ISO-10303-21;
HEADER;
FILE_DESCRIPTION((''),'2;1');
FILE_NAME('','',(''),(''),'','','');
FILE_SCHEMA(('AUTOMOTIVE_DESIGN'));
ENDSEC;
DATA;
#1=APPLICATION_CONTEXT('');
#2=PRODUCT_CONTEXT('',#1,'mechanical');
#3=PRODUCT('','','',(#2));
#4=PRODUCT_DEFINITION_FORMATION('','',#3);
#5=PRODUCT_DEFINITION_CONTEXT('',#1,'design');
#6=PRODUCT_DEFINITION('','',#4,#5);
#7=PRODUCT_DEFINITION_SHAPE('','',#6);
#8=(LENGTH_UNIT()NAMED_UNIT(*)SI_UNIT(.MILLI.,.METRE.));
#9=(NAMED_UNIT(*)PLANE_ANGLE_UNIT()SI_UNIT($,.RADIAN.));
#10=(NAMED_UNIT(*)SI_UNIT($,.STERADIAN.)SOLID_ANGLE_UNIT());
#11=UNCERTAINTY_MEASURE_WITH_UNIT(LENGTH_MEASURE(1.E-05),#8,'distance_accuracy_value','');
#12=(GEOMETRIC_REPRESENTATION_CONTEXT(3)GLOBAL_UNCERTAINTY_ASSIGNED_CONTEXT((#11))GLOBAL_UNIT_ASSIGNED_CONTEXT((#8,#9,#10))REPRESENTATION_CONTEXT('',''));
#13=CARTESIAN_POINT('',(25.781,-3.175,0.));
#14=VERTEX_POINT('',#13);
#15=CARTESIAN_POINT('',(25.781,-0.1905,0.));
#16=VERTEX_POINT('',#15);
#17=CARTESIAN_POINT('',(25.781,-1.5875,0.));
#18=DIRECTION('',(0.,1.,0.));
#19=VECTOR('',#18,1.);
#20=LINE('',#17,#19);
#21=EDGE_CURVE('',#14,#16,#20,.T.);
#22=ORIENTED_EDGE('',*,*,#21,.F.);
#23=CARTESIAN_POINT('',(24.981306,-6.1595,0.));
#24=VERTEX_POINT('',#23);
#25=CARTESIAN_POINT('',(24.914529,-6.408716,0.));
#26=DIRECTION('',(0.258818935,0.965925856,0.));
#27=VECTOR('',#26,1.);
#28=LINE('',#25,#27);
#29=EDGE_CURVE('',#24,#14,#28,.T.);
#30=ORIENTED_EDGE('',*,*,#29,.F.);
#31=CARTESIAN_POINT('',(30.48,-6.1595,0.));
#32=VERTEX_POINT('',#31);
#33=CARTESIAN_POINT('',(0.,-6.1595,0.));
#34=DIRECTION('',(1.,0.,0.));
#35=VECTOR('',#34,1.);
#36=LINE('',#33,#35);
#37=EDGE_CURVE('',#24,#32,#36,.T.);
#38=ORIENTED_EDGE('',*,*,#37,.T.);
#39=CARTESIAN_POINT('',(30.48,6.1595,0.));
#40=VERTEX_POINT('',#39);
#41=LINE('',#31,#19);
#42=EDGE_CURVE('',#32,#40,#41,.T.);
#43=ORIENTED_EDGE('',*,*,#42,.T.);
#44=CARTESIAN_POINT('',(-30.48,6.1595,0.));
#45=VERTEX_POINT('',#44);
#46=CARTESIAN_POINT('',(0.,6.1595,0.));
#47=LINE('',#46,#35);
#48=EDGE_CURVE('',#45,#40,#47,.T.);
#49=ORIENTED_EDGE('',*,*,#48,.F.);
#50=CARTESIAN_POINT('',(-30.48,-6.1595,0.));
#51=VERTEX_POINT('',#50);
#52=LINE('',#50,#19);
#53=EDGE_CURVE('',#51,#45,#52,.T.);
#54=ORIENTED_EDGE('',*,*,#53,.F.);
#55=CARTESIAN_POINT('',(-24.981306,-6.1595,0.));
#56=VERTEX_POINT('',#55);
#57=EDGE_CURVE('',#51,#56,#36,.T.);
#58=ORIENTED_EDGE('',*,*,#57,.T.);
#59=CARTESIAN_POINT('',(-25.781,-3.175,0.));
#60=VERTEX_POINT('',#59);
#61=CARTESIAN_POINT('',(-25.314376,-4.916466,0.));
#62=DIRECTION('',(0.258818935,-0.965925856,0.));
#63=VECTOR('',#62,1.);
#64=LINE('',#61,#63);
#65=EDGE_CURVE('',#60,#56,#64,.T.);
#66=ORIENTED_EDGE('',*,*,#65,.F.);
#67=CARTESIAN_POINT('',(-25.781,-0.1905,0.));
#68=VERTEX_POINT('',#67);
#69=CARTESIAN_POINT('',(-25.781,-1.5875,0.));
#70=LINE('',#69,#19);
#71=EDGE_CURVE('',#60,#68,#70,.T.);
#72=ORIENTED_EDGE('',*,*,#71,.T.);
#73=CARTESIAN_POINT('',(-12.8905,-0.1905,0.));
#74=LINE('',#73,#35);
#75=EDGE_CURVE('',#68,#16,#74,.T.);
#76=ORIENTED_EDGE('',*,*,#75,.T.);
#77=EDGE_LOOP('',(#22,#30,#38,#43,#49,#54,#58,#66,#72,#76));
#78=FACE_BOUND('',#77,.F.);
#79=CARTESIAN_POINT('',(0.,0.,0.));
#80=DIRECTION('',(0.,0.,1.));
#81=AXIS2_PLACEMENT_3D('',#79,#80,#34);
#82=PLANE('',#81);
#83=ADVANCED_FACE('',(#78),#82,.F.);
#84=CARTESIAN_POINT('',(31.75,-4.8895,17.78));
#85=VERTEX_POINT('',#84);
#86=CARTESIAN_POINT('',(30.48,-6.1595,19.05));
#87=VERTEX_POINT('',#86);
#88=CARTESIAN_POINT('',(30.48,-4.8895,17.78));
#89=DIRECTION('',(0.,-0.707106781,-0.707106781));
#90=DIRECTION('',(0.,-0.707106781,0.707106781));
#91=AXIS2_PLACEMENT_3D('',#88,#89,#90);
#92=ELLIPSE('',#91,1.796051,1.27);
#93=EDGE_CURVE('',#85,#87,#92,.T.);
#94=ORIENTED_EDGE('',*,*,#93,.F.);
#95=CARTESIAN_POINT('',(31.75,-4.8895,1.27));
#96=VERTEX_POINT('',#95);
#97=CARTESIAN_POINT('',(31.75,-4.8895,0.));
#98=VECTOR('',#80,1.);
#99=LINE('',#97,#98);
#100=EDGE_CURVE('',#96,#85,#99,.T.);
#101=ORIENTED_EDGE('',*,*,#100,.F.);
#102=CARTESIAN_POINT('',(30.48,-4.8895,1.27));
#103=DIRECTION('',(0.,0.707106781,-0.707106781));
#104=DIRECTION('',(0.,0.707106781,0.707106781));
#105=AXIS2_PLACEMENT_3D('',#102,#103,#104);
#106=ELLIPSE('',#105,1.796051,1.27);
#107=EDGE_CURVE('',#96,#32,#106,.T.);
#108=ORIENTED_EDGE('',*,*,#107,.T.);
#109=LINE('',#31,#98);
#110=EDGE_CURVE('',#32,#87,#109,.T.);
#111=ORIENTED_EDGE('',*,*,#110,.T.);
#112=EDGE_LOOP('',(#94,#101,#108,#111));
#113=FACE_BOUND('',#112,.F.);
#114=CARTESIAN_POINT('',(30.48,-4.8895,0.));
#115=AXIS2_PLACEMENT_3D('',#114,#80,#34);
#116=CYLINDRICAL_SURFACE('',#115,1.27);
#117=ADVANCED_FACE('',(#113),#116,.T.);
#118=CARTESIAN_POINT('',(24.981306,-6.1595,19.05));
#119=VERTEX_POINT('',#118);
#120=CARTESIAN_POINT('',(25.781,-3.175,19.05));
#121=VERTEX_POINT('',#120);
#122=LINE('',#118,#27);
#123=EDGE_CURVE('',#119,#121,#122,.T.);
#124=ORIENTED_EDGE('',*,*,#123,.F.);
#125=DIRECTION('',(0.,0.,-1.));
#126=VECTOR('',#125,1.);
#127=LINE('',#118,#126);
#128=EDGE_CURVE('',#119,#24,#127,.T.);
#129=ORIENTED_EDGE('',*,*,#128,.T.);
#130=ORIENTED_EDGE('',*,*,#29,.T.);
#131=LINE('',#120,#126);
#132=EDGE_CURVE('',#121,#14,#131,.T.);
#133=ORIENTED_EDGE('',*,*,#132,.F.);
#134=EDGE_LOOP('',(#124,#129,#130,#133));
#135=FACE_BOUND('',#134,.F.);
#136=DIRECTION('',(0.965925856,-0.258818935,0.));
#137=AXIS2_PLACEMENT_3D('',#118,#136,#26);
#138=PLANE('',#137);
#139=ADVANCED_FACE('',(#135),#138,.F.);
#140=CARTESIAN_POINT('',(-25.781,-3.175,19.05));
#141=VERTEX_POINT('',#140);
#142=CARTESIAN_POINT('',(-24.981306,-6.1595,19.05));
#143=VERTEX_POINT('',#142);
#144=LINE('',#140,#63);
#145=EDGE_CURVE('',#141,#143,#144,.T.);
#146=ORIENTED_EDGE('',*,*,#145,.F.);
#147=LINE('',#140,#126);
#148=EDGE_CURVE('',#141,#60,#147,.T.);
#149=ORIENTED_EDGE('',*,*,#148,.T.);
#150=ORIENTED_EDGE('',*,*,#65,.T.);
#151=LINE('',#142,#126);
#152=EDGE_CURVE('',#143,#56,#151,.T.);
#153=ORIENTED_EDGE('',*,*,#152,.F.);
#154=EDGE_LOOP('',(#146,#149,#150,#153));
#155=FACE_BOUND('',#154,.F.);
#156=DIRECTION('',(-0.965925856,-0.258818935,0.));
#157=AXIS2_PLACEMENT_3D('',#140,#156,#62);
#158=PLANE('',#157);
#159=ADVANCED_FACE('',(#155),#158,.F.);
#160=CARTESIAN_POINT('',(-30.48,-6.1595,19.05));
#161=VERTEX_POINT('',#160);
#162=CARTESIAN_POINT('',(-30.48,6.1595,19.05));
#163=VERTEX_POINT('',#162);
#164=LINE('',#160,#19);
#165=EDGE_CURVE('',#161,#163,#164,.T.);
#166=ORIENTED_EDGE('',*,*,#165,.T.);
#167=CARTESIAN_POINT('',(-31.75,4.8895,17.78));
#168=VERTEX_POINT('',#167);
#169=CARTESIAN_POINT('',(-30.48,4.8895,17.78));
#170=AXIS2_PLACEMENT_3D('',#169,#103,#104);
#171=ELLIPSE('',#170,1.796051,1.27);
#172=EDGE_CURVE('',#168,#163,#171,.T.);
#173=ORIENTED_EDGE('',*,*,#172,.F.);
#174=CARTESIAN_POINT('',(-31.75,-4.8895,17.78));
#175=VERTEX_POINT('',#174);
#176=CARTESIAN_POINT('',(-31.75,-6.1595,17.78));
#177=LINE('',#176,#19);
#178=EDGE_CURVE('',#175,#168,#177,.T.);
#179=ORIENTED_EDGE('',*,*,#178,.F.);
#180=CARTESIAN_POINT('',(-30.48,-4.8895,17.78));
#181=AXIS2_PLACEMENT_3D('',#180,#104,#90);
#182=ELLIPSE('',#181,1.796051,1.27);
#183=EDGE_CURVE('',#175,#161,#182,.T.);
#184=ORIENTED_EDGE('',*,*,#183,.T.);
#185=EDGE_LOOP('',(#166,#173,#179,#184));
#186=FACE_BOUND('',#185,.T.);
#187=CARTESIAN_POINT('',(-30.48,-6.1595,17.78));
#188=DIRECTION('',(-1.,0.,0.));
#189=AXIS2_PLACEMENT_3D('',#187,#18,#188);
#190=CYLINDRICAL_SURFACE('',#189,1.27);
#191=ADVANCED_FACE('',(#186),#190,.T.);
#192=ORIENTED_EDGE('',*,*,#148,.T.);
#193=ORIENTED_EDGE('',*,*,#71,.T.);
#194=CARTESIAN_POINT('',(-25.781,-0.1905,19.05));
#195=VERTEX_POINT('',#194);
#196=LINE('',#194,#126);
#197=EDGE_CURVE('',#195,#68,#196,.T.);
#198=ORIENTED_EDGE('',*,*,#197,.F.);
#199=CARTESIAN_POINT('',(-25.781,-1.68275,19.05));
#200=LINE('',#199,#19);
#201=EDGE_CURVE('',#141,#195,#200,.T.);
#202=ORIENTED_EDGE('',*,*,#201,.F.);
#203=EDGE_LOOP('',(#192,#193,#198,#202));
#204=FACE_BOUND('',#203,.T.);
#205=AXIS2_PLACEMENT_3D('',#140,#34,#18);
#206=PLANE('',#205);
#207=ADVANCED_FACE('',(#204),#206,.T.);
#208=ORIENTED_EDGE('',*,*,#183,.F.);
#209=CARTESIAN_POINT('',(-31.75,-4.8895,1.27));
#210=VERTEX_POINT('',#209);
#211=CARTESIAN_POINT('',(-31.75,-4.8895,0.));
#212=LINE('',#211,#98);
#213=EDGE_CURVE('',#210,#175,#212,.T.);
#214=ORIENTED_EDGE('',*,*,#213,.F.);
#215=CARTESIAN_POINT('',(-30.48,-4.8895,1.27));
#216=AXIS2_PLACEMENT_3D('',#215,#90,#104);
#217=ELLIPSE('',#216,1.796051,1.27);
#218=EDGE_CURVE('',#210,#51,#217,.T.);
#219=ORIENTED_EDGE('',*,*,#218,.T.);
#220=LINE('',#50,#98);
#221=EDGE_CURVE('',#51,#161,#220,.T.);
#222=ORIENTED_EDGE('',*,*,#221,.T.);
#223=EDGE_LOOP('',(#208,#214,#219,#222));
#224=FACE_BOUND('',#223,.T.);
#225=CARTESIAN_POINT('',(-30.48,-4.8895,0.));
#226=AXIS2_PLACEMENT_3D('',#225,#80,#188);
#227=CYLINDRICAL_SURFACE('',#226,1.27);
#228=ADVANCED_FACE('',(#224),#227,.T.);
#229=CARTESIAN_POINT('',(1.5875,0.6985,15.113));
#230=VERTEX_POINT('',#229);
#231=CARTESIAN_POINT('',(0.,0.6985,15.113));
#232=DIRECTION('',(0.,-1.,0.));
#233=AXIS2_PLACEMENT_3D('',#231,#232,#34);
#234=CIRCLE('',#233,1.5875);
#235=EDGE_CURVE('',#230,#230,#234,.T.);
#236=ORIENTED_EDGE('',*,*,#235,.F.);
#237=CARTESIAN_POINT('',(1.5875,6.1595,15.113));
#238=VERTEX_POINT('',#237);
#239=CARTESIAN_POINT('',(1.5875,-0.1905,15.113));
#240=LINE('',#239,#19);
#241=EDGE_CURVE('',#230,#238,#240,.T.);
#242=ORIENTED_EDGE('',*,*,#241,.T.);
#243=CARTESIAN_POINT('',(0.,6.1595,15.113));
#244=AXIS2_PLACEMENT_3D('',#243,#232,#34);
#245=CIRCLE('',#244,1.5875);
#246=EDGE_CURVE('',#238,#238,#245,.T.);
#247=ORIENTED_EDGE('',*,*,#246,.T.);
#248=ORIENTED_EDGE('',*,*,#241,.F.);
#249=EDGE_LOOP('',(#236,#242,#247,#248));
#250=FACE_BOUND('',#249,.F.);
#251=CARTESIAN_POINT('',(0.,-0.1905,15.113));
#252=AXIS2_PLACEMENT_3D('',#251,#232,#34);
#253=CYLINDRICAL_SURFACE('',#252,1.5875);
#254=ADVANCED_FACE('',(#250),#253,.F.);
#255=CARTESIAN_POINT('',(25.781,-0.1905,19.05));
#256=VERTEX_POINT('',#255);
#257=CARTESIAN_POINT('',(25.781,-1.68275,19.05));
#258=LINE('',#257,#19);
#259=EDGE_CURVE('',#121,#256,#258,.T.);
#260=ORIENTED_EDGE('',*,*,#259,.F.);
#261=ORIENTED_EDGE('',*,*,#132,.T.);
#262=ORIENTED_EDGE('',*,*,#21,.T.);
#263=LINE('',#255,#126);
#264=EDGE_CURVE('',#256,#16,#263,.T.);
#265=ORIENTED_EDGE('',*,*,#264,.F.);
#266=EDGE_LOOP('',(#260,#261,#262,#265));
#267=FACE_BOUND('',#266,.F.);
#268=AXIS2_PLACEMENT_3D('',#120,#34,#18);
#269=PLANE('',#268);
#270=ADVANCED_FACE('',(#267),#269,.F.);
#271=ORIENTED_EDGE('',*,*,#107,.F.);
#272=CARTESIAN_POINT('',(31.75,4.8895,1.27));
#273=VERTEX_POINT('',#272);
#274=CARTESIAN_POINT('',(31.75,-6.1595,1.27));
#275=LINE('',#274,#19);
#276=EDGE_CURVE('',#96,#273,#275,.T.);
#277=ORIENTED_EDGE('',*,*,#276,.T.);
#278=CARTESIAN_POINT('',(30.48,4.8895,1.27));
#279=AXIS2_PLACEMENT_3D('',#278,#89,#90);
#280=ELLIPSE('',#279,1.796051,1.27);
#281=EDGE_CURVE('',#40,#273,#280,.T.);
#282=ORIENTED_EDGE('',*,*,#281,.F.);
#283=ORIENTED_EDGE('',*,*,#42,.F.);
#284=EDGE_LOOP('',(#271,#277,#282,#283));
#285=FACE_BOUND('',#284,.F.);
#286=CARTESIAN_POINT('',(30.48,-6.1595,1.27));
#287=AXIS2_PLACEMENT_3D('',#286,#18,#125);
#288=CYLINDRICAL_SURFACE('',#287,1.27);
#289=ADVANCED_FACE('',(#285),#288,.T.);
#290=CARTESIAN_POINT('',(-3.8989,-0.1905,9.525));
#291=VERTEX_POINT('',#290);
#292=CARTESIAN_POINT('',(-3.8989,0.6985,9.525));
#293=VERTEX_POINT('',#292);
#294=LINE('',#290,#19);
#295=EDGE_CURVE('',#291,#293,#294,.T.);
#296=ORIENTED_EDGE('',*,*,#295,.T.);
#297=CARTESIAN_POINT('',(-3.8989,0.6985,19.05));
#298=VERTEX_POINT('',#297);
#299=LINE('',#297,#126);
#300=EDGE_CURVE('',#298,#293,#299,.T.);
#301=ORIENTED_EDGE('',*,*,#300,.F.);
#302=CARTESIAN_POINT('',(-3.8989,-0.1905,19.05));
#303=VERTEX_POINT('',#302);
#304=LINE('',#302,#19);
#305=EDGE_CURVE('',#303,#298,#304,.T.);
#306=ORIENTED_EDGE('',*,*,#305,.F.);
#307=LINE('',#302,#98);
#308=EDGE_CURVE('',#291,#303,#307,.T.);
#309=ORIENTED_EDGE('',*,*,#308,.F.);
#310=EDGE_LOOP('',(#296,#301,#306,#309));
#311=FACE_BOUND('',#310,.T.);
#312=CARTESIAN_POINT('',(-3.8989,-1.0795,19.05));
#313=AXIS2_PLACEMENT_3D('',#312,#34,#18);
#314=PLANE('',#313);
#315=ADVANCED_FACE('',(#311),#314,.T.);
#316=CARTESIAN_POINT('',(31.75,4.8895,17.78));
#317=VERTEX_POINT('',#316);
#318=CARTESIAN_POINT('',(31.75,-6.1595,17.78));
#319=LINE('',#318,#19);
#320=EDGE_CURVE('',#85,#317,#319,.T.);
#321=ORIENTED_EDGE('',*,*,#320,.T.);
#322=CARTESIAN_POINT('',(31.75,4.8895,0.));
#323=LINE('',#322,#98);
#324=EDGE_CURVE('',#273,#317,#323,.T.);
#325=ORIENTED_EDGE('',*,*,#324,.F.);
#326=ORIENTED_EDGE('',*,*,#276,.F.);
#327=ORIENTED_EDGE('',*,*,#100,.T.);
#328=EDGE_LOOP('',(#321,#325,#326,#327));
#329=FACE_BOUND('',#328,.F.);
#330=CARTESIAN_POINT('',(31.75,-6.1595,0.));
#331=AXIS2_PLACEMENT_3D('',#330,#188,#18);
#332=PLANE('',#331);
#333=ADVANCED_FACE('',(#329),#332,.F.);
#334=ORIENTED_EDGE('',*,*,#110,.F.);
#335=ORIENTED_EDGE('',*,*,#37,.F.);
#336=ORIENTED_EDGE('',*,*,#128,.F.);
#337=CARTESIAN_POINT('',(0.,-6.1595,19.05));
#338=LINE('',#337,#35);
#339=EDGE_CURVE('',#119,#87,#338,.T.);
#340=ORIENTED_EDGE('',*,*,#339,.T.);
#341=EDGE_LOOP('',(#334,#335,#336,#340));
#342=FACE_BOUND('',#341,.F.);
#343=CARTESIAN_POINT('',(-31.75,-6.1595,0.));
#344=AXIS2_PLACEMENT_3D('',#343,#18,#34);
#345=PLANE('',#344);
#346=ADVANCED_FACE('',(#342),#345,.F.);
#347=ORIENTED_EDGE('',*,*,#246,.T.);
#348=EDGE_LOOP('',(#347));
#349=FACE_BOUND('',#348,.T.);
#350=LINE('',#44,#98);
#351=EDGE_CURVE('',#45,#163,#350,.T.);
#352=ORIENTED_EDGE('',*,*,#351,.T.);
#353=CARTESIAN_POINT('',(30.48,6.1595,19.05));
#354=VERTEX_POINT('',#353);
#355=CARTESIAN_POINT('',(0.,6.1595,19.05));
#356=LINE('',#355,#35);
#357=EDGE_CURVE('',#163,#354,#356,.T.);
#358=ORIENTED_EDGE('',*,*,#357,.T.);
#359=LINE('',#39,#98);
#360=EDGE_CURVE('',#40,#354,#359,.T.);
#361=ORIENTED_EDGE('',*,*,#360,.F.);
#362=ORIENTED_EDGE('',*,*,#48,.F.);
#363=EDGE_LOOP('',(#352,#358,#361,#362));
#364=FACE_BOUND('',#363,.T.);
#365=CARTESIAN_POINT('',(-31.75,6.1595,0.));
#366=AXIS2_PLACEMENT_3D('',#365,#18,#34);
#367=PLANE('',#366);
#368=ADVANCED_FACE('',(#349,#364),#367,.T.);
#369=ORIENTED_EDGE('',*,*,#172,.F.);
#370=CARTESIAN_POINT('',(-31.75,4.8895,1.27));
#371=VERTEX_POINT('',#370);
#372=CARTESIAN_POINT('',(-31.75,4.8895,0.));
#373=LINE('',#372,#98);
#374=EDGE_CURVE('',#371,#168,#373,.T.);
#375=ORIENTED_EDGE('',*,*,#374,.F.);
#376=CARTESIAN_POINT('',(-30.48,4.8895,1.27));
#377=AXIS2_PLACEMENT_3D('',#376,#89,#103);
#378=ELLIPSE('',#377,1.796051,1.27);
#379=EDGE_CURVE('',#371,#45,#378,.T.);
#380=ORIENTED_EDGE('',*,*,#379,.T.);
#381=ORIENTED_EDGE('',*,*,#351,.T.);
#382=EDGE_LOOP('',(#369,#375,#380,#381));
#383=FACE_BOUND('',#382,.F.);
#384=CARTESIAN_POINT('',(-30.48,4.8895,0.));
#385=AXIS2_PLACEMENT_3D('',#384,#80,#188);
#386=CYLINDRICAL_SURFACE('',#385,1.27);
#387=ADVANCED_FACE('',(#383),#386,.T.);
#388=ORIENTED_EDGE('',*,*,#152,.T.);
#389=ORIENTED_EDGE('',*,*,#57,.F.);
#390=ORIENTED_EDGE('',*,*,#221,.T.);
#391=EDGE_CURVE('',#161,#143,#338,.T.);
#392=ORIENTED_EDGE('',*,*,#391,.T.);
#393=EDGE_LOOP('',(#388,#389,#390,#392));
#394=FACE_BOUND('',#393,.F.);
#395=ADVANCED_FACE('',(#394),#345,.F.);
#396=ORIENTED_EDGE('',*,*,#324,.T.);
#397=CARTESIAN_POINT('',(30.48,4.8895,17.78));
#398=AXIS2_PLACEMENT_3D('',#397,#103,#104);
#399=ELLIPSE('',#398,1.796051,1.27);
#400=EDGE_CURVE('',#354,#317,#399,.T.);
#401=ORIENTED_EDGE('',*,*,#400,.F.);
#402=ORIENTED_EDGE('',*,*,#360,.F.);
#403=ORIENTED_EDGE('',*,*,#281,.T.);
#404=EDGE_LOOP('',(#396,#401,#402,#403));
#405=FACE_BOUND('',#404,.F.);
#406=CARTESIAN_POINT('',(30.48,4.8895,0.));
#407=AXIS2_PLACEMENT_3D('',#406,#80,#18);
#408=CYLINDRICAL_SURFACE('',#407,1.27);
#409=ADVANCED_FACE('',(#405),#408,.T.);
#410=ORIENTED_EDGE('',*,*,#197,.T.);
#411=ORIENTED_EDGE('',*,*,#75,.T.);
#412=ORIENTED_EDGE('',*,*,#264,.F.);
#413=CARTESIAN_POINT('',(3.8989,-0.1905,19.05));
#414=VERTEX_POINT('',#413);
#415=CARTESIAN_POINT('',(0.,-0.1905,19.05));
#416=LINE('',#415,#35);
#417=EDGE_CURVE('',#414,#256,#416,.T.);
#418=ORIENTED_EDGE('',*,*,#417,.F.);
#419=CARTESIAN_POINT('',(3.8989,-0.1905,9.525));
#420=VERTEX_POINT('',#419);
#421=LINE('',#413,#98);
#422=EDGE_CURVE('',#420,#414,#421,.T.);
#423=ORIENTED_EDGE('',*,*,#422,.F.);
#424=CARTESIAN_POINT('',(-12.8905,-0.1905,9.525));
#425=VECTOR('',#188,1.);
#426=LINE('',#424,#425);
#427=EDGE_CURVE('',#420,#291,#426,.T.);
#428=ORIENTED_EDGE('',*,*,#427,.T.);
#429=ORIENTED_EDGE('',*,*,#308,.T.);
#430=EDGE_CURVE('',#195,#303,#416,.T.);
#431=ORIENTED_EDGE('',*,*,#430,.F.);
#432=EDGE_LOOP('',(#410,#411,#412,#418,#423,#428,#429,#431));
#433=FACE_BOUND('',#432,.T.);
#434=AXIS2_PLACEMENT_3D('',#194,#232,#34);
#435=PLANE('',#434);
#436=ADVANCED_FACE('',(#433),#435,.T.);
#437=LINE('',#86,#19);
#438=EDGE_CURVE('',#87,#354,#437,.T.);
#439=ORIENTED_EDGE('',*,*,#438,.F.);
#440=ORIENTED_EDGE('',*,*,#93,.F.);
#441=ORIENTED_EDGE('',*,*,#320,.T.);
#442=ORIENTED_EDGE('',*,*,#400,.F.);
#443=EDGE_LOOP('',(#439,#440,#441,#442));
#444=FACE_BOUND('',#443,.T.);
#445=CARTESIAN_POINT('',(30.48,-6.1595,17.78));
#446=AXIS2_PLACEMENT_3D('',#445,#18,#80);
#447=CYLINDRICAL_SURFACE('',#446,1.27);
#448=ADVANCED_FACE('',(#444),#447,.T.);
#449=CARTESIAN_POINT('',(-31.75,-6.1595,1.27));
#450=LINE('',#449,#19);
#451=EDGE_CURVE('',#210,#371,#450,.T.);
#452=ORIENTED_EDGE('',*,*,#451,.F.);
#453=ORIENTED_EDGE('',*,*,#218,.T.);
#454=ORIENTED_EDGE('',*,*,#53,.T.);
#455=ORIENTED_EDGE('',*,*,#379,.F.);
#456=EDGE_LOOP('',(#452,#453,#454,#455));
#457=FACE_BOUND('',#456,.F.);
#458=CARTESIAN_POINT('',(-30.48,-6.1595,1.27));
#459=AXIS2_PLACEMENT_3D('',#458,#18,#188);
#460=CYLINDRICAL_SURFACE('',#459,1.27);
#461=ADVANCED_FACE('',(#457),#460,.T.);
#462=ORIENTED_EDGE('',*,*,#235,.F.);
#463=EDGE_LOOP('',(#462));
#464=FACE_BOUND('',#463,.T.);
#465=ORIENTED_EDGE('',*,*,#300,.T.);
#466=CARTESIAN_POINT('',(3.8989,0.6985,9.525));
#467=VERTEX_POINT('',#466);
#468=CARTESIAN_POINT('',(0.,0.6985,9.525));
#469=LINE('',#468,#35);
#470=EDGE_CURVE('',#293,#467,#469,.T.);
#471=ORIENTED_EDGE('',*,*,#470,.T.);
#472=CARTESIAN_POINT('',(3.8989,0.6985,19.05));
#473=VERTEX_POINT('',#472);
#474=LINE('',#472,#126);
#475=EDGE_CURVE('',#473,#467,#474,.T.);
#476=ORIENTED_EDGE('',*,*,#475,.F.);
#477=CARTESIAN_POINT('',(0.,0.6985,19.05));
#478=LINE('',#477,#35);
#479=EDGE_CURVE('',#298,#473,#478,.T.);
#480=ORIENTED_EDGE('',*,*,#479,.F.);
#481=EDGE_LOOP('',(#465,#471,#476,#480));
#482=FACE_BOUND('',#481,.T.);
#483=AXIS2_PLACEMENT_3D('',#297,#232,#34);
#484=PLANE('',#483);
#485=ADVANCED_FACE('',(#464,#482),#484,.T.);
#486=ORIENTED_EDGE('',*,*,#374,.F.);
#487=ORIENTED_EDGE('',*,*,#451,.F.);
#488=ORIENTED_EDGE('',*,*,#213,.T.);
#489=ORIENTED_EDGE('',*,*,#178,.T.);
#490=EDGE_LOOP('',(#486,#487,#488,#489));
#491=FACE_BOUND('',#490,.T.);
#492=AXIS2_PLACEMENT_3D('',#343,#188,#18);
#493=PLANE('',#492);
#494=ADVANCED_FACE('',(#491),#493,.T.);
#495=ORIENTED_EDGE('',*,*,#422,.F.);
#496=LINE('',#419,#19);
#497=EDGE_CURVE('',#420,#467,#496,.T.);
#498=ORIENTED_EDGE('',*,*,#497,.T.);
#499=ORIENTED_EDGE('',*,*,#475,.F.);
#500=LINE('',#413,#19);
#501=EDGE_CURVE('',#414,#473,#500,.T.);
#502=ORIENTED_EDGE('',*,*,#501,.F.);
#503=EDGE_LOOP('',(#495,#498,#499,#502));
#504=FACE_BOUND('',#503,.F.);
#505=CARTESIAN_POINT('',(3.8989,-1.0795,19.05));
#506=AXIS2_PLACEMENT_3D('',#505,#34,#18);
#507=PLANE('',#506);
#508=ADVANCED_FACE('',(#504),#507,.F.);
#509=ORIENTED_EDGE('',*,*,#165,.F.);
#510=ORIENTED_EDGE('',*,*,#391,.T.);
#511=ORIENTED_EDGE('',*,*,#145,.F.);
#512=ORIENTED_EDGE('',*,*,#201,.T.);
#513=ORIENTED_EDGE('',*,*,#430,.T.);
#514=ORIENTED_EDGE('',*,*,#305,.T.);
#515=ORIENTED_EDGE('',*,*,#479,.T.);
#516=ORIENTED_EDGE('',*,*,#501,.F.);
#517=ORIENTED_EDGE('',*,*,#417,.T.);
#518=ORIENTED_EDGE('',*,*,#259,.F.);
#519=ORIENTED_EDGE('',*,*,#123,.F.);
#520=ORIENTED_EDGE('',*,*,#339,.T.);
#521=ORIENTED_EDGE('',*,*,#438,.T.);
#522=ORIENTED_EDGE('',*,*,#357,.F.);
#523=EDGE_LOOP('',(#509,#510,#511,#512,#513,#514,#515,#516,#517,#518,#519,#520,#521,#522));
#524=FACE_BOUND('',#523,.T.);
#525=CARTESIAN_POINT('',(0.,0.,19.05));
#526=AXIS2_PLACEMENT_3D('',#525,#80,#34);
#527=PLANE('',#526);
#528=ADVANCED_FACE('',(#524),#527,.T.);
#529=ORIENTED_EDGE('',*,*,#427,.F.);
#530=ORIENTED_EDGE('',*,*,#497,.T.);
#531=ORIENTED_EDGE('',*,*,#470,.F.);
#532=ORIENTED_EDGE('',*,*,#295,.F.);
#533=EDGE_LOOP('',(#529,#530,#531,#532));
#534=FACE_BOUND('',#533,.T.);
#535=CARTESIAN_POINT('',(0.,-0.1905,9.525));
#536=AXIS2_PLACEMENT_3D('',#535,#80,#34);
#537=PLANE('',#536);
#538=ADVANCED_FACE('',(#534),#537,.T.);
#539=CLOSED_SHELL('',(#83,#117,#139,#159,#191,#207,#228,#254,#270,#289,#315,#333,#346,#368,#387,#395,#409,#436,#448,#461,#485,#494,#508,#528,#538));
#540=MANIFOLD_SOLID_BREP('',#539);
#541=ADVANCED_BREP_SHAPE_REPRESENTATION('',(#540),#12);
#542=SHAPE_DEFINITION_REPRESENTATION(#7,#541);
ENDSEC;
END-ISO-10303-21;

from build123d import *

# Parameters (mm, degrees)
F0_W     = 63.5
F0_H     = 12.319
F1_DEPTH = 19.05
F2_W     = 51.562
F2_H     = 2.9845
F3_DEPTH = 25.4
F4_W     = 7.7978
F4_H     = 1.778
F5_DEPTH = 9.525
F6_R     = 1.5875
F7_DEPTH = 25.4
F8_R     = 1.27


with BuildPart() as f1:
    # F0 (on Top) → F1 (new body)
    with BuildSketch(Plane.XY):
        Rectangle(F0_W, F0_H)
    extrude(amount=F1_DEPTH)

    # F2 (on face) → F3 (cut)
    with BuildSketch(Plane.XY.offset(19.05)):
        Polygon((24.981306, -6.1595), (25.781, -3.175), (-25.781, -3.175), (-24.981306, -6.1595), (0, -6.1595), align=None)
        with Locations((0, -1.68275)):
            Rectangle(F2_W, F2_H)
    extrude(amount=-F3_DEPTH, mode=Mode.SUBTRACT)

    # F4 (on face) → F5 (cut)
    with BuildSketch(Plane.XY.offset(19.05)):
        with Locations((0, -0.1905)):
            Rectangle(F4_W, F4_H)
    extrude(amount=-F5_DEPTH, mode=Mode.SUBTRACT)

    # F6 (on face) → F7 (cut)
    with BuildSketch(Plane.XZ.offset(0.1905)):
        with Locations((0, 15.113)):
            Circle(F6_R)
    extrude(amount=-F7_DEPTH, mode=Mode.SUBTRACT)

    # F8
    f8_edges = [f1.edges().sort_by_distance(p)[0] for p in [
        (31.75, 6.1595, 9.525),
        (-31.75, 0, 0),
        (-31.75, -6.1595, 9.525),
        (31.75, -6.1595, 9.525),
        (31.75, 0, 0),
        (-31.75, 0, 19.05),
        (31.75, 0, 19.05),
        (-31.75, 6.1595, 9.525),
    ]]
    fillet(f8_edges, radius=F8_R)


solid = f1.part
